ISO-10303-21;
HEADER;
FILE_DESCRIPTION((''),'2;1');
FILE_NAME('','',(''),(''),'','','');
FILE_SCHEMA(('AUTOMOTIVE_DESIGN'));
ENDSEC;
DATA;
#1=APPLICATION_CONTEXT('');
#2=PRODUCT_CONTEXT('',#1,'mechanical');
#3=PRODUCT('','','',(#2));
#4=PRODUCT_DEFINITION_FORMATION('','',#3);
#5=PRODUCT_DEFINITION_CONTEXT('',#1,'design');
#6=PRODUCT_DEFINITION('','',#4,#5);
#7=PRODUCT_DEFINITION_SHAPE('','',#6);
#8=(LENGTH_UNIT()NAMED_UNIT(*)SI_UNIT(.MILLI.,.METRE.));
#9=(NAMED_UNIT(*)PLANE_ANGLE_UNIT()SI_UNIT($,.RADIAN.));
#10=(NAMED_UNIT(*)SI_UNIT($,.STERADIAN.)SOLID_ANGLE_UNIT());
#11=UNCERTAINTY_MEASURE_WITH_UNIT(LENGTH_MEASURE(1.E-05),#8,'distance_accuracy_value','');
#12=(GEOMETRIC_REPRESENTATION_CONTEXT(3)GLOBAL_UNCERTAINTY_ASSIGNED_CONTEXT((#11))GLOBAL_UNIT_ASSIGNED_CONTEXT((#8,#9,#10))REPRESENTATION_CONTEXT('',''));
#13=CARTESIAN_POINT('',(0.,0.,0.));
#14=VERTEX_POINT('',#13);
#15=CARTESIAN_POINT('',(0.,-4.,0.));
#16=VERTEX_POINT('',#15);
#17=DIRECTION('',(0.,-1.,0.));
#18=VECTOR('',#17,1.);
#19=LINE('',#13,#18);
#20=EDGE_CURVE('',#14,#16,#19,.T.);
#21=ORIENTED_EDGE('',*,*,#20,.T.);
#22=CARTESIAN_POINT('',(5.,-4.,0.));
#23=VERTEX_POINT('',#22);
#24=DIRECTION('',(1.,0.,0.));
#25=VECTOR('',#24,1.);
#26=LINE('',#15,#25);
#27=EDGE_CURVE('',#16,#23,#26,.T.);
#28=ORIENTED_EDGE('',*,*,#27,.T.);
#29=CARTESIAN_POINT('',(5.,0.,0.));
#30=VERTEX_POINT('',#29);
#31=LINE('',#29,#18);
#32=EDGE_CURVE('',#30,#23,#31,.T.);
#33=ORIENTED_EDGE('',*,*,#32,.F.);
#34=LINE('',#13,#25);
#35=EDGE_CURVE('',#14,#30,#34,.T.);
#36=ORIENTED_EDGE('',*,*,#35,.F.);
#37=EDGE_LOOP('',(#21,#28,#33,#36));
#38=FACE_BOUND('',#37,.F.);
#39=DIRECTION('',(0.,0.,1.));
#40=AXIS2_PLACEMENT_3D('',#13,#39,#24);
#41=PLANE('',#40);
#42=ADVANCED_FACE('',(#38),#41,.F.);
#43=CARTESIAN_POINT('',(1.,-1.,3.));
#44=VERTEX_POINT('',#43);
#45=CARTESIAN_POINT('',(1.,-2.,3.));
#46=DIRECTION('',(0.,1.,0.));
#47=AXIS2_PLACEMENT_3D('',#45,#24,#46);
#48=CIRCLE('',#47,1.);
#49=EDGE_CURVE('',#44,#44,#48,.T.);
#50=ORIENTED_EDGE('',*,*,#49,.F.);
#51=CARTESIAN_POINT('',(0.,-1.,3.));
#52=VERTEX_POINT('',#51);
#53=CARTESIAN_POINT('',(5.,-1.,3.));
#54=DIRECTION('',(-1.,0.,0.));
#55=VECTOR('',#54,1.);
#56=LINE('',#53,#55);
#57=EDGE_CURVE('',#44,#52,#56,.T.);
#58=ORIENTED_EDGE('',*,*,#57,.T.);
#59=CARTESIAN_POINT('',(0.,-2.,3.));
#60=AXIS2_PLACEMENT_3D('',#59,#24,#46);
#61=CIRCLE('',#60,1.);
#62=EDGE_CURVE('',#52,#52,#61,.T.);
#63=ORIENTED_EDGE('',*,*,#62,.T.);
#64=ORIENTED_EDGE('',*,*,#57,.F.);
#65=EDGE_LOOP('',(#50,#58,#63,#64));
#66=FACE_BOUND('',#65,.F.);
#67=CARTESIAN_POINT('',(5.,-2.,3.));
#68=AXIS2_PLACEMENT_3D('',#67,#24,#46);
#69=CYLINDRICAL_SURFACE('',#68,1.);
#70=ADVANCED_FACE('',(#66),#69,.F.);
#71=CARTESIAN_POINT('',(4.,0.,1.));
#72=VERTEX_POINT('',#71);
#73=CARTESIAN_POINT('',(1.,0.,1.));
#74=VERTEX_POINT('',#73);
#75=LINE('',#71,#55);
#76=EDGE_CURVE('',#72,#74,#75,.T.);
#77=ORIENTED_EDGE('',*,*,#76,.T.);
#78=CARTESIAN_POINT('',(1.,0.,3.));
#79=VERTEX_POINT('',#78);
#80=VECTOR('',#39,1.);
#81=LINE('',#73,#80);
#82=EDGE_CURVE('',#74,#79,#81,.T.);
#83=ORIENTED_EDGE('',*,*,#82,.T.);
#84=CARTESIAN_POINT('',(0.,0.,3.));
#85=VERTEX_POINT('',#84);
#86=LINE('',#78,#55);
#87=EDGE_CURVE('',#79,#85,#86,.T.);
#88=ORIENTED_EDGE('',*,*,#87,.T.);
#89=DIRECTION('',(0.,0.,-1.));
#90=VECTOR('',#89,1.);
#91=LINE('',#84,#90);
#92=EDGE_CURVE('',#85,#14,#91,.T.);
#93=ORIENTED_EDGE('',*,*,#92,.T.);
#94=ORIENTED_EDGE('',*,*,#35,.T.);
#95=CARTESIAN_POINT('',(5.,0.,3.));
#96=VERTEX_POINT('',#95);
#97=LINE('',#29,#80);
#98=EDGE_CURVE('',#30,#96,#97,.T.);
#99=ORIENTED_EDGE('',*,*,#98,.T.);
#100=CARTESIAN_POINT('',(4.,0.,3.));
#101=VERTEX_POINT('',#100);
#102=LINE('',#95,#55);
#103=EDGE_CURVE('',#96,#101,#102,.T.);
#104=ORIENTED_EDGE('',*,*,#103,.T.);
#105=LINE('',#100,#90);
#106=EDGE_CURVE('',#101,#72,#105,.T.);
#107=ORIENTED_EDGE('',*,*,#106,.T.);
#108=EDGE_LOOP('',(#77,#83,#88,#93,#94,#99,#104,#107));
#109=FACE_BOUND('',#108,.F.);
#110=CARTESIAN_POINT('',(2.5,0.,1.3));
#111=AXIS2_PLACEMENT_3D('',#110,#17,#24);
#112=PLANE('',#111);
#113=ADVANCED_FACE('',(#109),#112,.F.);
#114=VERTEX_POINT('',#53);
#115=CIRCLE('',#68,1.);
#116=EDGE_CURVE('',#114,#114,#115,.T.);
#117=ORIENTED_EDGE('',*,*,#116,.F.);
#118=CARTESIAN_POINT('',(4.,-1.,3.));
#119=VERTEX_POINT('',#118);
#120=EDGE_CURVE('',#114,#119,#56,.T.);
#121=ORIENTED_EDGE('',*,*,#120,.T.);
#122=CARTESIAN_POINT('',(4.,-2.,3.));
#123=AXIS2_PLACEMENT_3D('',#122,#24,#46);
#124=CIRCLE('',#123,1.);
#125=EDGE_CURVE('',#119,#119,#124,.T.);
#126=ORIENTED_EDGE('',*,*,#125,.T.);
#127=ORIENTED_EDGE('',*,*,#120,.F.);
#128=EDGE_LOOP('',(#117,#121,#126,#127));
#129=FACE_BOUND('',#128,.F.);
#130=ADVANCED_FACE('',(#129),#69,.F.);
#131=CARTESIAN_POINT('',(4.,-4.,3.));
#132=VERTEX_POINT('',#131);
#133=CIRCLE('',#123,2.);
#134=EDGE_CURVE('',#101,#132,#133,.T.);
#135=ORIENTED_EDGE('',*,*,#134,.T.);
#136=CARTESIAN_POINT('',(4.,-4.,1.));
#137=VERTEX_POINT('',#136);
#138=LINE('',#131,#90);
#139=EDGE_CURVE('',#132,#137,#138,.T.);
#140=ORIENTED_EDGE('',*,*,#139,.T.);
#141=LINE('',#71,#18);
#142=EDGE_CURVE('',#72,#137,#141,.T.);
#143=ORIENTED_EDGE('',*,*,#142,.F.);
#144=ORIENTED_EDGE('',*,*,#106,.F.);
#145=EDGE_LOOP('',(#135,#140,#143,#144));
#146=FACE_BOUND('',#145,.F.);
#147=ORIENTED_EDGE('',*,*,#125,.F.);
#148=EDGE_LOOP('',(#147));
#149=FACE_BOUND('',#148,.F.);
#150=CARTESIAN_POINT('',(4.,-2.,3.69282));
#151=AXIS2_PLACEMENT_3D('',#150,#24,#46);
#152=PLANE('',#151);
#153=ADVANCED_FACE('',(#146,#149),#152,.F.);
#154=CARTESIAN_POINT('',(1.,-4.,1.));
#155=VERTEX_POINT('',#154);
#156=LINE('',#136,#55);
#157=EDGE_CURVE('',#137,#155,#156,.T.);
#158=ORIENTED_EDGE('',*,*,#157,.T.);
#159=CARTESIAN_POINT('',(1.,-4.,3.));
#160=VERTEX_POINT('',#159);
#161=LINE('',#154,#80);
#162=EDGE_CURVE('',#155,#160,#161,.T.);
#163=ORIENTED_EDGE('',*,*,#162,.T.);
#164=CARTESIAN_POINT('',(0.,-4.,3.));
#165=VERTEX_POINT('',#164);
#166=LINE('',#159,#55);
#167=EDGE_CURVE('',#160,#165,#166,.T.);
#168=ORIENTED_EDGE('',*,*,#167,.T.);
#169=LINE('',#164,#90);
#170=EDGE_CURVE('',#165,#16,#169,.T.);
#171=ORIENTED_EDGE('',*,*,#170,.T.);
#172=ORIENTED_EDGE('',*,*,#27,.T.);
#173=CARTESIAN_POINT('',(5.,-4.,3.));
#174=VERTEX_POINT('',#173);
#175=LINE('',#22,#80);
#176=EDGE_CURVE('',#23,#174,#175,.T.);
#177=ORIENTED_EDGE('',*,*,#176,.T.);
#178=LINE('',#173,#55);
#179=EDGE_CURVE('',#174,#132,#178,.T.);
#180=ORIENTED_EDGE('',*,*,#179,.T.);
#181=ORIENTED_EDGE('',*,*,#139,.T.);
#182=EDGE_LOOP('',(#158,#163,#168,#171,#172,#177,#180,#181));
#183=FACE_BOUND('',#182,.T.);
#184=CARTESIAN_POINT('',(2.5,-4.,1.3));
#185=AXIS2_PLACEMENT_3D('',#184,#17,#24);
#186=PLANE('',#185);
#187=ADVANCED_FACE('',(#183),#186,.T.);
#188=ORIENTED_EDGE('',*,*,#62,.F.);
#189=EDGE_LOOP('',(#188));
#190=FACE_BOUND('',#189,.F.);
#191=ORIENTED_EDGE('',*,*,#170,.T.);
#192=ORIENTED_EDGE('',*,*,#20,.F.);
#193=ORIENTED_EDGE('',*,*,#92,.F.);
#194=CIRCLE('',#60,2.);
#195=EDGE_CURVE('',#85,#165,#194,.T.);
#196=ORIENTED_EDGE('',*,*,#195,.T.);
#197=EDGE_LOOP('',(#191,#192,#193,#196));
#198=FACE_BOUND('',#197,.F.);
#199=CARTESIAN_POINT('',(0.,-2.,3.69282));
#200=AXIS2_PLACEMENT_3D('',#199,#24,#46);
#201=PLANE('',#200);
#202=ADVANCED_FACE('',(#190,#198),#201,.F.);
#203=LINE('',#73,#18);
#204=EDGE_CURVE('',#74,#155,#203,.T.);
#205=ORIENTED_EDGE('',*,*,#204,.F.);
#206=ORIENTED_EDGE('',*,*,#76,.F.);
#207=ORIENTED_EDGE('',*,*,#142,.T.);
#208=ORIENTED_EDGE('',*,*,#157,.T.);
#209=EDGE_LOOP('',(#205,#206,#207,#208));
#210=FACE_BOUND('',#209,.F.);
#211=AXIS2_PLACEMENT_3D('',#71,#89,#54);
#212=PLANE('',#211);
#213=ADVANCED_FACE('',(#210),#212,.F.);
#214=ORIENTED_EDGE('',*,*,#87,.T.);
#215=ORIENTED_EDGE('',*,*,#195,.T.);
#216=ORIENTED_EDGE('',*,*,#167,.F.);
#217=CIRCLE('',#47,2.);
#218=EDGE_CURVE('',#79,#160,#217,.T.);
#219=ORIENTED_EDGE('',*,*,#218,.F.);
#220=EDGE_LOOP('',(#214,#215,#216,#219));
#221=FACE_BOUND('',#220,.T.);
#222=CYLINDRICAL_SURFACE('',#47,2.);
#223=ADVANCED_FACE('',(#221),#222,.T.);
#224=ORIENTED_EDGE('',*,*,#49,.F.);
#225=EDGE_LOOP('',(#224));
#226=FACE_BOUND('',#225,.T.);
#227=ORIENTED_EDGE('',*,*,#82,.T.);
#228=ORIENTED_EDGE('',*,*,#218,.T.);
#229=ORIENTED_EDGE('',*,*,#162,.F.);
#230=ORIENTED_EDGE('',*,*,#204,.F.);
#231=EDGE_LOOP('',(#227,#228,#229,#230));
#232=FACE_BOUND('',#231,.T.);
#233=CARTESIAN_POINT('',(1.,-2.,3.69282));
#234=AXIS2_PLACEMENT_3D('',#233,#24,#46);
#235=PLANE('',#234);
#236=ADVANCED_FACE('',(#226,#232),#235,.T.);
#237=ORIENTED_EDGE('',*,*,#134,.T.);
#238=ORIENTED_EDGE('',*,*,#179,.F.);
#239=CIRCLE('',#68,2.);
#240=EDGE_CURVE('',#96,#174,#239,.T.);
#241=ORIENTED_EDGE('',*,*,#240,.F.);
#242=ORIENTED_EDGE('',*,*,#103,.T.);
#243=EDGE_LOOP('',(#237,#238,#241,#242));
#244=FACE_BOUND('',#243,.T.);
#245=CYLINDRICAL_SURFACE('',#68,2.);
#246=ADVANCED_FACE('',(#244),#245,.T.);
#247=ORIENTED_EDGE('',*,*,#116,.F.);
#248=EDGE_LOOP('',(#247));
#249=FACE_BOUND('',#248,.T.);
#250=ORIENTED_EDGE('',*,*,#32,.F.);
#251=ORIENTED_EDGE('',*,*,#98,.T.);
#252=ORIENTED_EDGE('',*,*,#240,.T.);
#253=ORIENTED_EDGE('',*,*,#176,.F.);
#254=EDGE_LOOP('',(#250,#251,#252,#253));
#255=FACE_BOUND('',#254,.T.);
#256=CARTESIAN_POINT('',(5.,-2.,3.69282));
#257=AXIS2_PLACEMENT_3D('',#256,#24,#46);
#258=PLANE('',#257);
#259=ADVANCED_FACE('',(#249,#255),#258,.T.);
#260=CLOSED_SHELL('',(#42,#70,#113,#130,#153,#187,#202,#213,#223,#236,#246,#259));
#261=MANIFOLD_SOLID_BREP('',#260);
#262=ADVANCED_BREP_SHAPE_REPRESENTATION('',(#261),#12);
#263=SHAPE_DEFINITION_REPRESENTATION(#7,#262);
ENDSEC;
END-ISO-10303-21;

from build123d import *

# Parameters (mm, degrees)
F1_DEPTH = 4
F3_DEPTH = 1
F5_DEPTH = 1
F6_R     = 1
F7_DEPTH = 6


with BuildPart() as f1:
    # F0 (on Front) → F1 (new body)
    with BuildSketch(Plane.XZ):
        Polygon((0, 3), (0, 0), (5, 0), (5, 3), (4, 3), (4, 1), (1, 1), (1, 3), align=None)
    extrude(amount=F1_DEPTH)

    # F2 (on face) → F3 (join)
    with BuildSketch(Plane.YZ.offset(1)):
        with BuildLine():
            Line((-4, 3), (0, 3))
            ThreePointArc((0, 3), (-2, 5), (-4, 3))
        make_face()
    extrude(amount=-F3_DEPTH)

    # F4 (on face) → F5 (join)
    with BuildSketch(Plane.YZ.offset(5)):
        with BuildLine():
            Line((-4, 3), (0, 3))
            ThreePointArc((0, 3), (-2, 5), (-4, 3))
        make_face()
    extrude(amount=-F5_DEPTH)

    # F6 (on face) → F7 (cut)
    with BuildSketch(Plane.YZ.offset(5)):
        with Locations((-2, 3)):
            Circle(F6_R)
    extrude(amount=-F7_DEPTH, mode=Mode.SUBTRACT)


solid = f1.part
